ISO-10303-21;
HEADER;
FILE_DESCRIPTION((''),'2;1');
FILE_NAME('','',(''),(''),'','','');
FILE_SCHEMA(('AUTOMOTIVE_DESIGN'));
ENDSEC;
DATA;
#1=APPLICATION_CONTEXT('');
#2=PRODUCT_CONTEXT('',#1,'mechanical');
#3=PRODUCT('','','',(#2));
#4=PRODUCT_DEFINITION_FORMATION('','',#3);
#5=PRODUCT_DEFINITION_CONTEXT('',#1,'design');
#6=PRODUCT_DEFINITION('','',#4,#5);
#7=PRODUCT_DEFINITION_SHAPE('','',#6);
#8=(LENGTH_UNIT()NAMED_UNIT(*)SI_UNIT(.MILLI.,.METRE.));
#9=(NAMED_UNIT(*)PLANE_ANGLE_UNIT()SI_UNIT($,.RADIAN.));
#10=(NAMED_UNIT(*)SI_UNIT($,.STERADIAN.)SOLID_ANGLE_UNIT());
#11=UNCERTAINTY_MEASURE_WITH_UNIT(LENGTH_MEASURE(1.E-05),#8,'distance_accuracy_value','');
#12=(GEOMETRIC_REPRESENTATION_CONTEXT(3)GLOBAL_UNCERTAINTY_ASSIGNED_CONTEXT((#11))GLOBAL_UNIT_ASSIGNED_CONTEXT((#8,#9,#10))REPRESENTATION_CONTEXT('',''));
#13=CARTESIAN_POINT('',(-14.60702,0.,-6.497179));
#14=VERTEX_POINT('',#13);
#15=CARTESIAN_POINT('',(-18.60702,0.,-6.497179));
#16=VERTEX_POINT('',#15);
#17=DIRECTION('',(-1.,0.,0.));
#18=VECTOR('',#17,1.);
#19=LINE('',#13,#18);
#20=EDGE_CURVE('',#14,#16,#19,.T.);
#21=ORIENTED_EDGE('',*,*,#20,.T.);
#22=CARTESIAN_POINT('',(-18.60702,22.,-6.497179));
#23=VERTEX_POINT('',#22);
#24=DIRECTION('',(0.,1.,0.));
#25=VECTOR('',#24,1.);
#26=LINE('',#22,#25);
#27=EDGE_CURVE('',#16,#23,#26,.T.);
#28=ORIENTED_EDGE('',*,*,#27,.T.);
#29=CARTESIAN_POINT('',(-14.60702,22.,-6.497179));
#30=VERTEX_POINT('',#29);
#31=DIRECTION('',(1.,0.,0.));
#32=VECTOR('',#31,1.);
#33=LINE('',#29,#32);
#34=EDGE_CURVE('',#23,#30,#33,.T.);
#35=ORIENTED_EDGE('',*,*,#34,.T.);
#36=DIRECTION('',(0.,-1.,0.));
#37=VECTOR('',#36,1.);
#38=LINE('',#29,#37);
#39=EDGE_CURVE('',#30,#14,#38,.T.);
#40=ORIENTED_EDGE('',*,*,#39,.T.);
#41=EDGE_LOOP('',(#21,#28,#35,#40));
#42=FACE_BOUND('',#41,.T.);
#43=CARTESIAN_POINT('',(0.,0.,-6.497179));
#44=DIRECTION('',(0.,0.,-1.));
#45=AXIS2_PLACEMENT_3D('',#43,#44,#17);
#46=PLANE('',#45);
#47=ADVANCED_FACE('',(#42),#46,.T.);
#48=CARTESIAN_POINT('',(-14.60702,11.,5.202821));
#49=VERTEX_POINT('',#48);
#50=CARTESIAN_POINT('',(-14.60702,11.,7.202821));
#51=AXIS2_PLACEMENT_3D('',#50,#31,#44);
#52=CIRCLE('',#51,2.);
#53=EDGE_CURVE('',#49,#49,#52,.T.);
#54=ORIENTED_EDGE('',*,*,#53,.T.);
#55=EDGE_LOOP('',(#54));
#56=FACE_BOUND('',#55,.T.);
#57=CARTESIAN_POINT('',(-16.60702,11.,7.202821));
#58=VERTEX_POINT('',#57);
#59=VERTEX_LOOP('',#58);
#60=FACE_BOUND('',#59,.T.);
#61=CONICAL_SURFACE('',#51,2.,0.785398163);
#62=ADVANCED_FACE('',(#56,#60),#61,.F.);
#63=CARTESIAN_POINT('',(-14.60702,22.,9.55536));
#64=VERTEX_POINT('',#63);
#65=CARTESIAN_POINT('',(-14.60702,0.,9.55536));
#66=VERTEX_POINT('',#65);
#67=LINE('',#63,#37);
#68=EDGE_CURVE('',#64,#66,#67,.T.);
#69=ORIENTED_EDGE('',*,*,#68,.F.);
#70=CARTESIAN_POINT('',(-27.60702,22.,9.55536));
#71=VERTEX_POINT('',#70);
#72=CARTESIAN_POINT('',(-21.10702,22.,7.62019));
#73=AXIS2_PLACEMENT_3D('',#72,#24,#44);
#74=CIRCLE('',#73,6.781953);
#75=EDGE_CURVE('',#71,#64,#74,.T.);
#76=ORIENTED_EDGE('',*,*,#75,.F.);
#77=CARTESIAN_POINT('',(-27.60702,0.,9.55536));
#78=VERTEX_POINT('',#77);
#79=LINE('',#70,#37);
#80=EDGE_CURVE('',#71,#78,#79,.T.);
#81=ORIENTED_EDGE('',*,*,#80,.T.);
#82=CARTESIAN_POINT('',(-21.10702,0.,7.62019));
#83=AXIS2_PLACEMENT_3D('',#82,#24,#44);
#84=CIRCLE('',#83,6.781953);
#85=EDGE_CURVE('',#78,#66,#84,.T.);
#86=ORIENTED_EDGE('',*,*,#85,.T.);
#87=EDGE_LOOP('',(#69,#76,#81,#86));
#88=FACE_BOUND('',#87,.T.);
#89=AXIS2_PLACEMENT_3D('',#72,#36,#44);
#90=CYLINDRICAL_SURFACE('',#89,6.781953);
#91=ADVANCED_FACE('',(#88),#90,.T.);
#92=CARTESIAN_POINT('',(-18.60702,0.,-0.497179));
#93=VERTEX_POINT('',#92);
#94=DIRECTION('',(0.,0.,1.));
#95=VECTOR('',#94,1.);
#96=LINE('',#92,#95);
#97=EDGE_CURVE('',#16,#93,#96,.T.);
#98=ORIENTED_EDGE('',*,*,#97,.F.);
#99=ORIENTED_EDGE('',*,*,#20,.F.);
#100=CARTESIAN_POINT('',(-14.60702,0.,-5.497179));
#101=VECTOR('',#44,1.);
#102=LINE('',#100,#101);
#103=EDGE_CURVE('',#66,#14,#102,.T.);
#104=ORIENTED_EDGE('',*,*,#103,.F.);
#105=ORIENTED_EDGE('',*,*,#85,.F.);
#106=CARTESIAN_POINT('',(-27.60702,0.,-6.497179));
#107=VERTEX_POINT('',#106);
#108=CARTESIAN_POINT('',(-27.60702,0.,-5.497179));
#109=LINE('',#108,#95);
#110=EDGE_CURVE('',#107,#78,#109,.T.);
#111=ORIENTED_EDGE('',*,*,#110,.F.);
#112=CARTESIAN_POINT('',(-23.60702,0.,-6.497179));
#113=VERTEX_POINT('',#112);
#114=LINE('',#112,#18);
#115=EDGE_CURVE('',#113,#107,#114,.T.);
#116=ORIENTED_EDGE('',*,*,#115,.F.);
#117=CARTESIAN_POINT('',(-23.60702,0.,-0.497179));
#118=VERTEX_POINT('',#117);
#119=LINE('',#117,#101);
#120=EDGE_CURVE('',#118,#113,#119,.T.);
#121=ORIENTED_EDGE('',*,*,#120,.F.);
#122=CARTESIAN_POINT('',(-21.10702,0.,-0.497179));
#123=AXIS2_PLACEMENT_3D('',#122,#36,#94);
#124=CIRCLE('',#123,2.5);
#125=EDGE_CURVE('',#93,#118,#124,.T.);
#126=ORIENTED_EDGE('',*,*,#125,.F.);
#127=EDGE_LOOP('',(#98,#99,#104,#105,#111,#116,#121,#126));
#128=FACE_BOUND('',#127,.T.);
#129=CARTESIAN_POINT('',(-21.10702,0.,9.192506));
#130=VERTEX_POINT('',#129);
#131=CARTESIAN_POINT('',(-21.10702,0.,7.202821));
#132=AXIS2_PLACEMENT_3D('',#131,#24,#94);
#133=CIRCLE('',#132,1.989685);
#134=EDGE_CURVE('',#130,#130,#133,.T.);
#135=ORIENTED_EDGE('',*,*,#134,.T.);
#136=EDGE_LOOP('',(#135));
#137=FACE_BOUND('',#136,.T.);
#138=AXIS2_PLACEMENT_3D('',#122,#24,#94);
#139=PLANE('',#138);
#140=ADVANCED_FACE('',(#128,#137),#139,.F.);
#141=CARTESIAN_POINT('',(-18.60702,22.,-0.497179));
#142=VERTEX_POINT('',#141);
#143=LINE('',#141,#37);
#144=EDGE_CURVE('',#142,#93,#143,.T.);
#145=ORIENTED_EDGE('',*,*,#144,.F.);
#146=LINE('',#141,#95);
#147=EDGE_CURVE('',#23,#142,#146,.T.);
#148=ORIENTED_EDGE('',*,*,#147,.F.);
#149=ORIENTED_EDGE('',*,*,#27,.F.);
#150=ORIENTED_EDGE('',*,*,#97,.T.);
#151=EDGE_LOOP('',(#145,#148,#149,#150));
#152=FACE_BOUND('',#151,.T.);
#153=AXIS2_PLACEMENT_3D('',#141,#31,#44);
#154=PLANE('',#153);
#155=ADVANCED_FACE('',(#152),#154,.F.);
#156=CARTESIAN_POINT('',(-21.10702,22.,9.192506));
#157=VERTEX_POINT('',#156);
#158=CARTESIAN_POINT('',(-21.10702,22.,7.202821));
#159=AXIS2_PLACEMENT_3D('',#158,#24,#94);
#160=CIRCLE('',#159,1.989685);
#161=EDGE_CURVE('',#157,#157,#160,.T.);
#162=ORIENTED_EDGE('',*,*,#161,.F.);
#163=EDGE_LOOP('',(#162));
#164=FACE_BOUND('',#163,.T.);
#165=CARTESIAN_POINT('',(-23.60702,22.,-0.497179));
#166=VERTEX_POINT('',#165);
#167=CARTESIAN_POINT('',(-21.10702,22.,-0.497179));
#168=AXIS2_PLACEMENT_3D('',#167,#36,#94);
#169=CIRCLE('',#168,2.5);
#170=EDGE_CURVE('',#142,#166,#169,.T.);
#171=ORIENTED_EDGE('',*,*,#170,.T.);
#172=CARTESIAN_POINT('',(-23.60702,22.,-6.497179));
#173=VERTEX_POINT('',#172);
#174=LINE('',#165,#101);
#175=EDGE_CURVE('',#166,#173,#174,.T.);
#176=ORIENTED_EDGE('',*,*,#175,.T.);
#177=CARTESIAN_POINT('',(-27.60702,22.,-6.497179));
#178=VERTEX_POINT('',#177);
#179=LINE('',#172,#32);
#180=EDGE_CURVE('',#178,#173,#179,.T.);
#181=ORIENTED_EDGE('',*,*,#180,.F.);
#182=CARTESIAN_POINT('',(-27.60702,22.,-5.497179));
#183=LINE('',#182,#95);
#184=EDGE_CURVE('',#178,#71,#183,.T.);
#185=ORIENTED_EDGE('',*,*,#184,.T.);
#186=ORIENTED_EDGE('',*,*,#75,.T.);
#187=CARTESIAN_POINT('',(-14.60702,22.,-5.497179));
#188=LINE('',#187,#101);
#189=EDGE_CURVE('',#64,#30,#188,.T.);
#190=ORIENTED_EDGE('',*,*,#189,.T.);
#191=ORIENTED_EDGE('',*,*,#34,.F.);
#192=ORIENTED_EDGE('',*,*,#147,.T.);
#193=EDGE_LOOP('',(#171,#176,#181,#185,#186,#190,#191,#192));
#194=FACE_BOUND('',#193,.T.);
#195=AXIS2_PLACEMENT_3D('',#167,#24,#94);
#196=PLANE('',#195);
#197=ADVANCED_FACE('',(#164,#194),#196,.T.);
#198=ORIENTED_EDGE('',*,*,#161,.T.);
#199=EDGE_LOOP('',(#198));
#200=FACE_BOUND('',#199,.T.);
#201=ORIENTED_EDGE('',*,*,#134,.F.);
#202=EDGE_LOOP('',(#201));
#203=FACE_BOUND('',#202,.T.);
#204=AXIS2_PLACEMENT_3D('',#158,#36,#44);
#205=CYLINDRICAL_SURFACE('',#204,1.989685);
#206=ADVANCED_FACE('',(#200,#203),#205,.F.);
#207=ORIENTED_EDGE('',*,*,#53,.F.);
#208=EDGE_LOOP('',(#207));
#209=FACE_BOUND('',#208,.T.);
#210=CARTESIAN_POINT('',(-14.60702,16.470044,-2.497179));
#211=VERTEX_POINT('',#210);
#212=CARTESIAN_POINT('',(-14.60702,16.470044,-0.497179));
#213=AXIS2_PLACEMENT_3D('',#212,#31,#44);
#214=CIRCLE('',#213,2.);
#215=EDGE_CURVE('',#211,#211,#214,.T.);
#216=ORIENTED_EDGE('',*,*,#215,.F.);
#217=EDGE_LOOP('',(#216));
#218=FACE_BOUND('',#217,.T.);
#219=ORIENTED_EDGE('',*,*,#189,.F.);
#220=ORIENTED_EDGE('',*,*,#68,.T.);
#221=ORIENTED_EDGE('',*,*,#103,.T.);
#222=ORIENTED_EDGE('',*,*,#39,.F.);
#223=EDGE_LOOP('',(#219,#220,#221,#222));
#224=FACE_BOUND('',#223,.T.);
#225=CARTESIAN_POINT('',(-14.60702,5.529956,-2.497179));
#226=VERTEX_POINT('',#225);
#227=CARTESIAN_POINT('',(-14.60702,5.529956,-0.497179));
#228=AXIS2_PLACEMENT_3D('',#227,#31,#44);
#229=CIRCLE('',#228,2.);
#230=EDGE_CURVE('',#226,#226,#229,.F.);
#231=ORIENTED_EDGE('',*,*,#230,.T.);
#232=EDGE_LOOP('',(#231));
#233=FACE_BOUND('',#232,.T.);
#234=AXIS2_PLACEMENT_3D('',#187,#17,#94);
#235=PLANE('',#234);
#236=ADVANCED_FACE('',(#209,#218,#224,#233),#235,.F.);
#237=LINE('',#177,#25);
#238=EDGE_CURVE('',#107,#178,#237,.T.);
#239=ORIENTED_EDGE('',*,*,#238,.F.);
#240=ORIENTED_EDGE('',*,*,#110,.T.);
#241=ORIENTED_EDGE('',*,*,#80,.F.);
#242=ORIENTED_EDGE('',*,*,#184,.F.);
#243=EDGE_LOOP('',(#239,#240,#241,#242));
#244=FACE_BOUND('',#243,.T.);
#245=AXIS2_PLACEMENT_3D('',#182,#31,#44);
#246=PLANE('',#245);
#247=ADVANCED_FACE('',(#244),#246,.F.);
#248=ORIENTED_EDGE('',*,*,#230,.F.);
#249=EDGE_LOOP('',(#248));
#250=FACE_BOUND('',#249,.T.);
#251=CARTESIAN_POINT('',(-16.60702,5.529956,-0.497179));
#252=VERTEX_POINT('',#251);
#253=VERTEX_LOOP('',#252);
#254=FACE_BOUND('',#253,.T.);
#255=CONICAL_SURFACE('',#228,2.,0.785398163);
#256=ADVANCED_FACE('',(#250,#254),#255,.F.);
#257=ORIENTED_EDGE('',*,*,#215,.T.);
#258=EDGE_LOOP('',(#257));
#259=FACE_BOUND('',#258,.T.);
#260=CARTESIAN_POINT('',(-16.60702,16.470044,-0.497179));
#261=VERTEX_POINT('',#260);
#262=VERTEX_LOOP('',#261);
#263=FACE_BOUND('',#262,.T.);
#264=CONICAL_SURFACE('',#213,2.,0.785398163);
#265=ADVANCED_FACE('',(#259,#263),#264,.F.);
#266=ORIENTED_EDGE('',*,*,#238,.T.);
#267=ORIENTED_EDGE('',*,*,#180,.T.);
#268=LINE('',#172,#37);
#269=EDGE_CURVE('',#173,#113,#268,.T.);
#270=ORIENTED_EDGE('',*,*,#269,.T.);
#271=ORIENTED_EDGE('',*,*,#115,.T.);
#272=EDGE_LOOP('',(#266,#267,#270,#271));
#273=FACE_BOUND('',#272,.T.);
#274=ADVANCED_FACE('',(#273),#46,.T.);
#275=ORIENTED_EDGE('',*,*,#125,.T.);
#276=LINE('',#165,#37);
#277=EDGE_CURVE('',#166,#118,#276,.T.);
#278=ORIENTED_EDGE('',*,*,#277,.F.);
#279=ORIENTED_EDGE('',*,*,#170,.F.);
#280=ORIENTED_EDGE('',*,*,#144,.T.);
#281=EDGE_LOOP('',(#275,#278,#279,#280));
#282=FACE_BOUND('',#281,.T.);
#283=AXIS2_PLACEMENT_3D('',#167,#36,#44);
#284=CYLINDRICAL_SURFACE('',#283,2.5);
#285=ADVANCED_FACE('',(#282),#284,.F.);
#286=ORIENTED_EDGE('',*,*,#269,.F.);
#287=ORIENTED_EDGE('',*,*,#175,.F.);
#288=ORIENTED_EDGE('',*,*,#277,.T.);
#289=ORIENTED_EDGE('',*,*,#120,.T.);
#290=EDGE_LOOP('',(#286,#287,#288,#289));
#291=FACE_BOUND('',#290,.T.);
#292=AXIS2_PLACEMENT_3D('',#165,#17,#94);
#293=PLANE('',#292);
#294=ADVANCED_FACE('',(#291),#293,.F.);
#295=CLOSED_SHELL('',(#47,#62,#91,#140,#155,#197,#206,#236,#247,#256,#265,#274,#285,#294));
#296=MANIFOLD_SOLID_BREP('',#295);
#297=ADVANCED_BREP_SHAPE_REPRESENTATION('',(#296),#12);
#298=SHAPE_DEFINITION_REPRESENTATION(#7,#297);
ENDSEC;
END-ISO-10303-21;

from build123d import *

# Parameters (mm, degrees)
SKETCH1_R           = 1.98968489
BOSS_EXTRUDE2_DEPTH = 22
SKETCH8_W           = 4
SKETCH8_H           = 22
BOSS_EXTRUDE4_DEPTH = 1


with BuildPart() as part:
    # Sketch1 → Boss-Extrude2 (new body)
    with BuildSketch(Plane(origin=(0, 0, 0), x_dir=(1, 0, 0), z_dir=(0, 1, 0))):
        with BuildLine():
            Line((-18.607019748, 0.497178681), (-18.607019748, 5.497178681))
            Line((-18.607019748, 5.497178681), (-14.607019748, 5.497178681))
            Line((-14.607019748, 5.497178681), (-14.607019748, -9.555359754))
            ThreePointArc((-14.607019748, -9.555359754), (-21.107019748, -14.402142963), (-27.607019748, -9.555359754))
            Line((-27.607019748, -9.555359754), (-27.607019748, 5.497178681))
            Line((-27.607019748, 5.497178681), (-23.607019748, 5.497178681))
            Line((-23.607019748, 5.497178681), (-23.607019748, 0.497178681))
            ThreePointArc((-23.607019748, 0.497178681), (-21.107019748, -2.002821319), (-18.607019748, 0.497178681))
        make_face()
        with Locations(Location((-21.107019748, -7.202821319, 0), (0, 0, 270))):
            Circle(SKETCH1_R, mode=Mode.SUBTRACT)
    extrude(amount=BOSS_EXTRUDE2_DEPTH)

    # Sketch8 → Boss-Extrude4 (add)
    with BuildSketch(Plane(origin=(0, 0, -5.497178681), x_dir=(-1, 0, 0), z_dir=(0, 0, -1))):
        with Locations((16.607019748, 11)):
            Rectangle(SKETCH8_W, SKETCH8_H)
        with Locations((25.607019748, 11)):
            Rectangle(SKETCH8_W, SKETCH8_H)
    extrude(amount=BOSS_EXTRUDE4_DEPTH)

    # Cut-Extrude1 cone 1 section (through the dimple's axis) → Cut-Extrude1 (revolve, cut)
    with BuildSketch(Plane(origin=(-14.607019748, 11, 7.202821319), x_dir=(0, 0, -1), z_dir=(0, 1, 0))):
        Polygon((0, 0), (2, 0), (0, 2), align=None)
    revolve(axis=Axis((-14.607019748, 11, 7.202821319), (-1, 0, 0)), mode=Mode.SUBTRACT)

    # Cut-Extrude1 cone 2 section (through the dimple's axis) → Cut-Extrude1 cone 2 (revolve, cut)
    with BuildSketch(Plane(origin=(-14.607019748, 16.470043573, -0.497178681), x_dir=(0, 0, -1), z_dir=(0, 1, 0))):
        Polygon((0, 0), (2, 0), (0, 2), align=None)
    revolve(axis=Axis((-14.607019748, 16.470043573, -0.497178681), (-1, 0, 0)), mode=Mode.SUBTRACT)

    # Cut-Extrude1 cone 3 section (through the dimple's axis) → Cut-Extrude1 cone 3 (revolve, cut)
    with BuildSketch(Plane(origin=(-14.607019748, 5.529956427, -0.497178681), x_dir=(0, 0, -1), z_dir=(0, 1, 0))):
        Polygon((0, 0), (2, 0), (0, 2), align=None)
    revolve(axis=Axis((-14.607019748, 5.529956427, -0.497178681), (-1, 0, 0)), mode=Mode.SUBTRACT)


solid = part.part
